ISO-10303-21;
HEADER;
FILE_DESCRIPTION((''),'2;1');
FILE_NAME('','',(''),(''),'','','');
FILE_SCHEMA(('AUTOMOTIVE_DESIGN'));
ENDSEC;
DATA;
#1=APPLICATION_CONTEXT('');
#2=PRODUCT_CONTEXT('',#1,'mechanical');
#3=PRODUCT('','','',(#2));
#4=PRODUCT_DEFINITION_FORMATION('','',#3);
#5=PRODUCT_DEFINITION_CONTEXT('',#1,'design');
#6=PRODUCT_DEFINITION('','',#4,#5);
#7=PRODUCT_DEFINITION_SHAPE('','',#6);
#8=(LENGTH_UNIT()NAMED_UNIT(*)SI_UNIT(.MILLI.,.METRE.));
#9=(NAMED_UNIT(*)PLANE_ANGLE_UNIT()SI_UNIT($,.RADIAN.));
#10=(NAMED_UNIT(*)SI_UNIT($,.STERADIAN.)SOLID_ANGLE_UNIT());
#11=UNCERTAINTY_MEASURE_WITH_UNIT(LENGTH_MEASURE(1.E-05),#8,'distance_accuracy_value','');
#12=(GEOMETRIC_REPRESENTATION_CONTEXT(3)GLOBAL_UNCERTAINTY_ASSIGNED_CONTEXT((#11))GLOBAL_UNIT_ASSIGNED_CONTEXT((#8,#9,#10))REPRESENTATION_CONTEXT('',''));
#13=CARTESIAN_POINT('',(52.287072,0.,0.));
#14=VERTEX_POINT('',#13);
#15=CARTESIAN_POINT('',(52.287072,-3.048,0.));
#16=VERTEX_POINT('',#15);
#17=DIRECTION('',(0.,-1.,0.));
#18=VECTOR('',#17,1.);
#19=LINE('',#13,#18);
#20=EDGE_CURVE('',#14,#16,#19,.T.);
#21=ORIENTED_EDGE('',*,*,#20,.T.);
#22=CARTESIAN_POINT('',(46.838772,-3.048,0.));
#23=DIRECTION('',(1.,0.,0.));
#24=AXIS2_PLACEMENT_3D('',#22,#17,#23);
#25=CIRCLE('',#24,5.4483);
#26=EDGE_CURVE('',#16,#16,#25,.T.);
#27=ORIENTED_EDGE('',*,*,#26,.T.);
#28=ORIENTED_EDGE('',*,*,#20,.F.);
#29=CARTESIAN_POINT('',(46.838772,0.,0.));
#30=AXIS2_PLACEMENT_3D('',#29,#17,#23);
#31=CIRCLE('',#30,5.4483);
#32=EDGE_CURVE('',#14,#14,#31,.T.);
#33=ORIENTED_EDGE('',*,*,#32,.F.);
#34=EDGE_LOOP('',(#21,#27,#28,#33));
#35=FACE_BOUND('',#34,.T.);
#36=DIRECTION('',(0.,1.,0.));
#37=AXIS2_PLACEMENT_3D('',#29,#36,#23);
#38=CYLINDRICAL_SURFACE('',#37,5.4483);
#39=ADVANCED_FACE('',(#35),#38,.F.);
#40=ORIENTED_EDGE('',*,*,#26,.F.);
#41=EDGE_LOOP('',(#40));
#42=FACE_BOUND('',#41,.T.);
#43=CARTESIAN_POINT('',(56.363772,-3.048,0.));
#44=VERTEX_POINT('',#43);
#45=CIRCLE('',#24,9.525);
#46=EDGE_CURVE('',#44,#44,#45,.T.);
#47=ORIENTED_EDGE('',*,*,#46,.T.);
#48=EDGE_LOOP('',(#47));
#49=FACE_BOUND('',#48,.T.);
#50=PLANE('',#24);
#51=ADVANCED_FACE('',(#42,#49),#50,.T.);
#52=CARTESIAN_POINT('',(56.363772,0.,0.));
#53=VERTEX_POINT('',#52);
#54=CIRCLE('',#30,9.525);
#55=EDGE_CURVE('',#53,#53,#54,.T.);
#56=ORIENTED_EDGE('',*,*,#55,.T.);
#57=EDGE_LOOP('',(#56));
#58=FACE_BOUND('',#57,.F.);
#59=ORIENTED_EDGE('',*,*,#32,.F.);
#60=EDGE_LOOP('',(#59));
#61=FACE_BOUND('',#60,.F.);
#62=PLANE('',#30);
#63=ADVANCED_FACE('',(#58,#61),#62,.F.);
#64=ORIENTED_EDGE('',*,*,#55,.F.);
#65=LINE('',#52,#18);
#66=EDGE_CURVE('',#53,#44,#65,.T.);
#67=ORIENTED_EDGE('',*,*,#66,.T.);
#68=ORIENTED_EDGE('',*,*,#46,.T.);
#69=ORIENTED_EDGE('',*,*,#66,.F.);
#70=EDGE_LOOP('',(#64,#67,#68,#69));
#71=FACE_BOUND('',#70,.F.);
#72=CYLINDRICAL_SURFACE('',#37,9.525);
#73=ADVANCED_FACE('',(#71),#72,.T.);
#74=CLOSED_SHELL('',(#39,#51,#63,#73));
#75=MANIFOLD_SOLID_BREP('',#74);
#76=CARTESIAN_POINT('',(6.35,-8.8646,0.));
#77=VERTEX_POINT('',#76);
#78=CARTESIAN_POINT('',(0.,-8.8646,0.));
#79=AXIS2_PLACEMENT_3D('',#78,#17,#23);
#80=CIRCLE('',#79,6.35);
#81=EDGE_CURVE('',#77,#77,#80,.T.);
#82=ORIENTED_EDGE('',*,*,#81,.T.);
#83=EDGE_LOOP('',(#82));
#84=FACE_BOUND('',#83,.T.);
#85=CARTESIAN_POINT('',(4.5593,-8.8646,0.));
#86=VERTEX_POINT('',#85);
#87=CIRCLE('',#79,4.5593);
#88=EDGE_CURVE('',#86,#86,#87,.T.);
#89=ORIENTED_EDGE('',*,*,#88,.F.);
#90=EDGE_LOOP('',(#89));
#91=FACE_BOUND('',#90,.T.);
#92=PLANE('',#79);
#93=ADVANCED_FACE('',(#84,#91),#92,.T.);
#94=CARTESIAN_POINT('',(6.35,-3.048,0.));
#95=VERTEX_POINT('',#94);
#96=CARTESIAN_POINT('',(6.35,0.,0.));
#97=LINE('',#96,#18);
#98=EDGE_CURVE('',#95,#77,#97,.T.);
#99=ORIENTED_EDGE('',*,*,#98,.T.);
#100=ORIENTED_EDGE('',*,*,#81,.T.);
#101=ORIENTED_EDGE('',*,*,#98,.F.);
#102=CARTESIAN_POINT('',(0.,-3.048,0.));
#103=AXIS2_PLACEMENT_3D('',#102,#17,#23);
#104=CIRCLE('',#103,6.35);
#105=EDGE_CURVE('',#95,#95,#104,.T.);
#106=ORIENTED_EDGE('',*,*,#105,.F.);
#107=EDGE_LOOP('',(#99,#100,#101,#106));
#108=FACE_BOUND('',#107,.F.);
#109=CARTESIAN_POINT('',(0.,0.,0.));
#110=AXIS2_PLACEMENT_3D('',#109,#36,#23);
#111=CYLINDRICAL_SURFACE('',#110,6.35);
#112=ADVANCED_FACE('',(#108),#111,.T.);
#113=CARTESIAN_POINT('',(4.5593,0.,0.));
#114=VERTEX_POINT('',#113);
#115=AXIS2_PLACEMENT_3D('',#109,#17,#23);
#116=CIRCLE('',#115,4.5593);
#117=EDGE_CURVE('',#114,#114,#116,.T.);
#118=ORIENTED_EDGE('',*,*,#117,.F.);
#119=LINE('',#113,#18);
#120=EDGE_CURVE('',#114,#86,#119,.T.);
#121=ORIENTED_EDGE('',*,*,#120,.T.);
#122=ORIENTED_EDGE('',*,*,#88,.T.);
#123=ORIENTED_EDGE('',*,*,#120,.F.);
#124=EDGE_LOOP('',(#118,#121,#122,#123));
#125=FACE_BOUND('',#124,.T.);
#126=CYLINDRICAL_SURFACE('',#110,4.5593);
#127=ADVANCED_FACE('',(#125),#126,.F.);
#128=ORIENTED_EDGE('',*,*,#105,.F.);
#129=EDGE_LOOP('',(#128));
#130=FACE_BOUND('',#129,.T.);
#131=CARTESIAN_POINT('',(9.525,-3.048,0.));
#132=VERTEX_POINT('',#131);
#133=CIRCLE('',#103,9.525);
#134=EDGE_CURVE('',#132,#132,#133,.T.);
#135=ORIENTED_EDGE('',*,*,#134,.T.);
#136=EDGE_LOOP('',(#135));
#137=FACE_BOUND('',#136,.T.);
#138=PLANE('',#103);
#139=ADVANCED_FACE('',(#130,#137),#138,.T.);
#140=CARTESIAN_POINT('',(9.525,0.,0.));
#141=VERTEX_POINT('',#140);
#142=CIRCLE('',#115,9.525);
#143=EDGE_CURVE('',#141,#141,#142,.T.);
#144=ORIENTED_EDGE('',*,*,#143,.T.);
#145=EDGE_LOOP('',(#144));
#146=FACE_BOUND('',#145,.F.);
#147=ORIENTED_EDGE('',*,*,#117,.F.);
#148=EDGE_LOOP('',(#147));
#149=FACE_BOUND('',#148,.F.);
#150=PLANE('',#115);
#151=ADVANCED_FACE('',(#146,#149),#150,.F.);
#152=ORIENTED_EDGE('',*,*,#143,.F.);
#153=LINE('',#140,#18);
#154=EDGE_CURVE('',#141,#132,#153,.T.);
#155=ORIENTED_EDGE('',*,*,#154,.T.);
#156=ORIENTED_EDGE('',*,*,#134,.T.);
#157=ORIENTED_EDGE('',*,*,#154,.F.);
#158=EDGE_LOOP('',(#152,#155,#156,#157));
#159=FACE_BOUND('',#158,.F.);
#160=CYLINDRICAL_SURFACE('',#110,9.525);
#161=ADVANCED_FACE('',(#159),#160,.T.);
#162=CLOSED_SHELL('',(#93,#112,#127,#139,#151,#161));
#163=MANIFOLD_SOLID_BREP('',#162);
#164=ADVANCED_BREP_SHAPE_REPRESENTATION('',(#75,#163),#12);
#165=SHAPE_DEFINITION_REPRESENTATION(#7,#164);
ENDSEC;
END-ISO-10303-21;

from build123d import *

# Parameters (mm, degrees)
F0_R     = 9.525
F0_R_2   = 6.35
F0_R_3   = 5.4483
F1_DEPTH = 3.048
F0_R_4   = 4.5593
F2_DEPTH = 8.8646


with BuildPart() as f1:
    # F0 (on Front) → F1 (new body)
    with BuildSketch(Plane.XZ):
        Circle(F0_R)
        Circle(F0_R_2, mode=Mode.SUBTRACT)
        with Locations((46.838772, 0)):
            Circle(F0_R)
        with Locations((46.838772, 0)):
            Circle(F0_R_3, mode=Mode.SUBTRACT)
    extrude(amount=F1_DEPTH)

    # F0 (on Front) → F2 (join)
    with BuildSketch(Plane.XZ):
        Circle(F0_R_2)
        Circle(F0_R_4, mode=Mode.SUBTRACT)
    extrude(amount=F2_DEPTH)


solid = f1.part
